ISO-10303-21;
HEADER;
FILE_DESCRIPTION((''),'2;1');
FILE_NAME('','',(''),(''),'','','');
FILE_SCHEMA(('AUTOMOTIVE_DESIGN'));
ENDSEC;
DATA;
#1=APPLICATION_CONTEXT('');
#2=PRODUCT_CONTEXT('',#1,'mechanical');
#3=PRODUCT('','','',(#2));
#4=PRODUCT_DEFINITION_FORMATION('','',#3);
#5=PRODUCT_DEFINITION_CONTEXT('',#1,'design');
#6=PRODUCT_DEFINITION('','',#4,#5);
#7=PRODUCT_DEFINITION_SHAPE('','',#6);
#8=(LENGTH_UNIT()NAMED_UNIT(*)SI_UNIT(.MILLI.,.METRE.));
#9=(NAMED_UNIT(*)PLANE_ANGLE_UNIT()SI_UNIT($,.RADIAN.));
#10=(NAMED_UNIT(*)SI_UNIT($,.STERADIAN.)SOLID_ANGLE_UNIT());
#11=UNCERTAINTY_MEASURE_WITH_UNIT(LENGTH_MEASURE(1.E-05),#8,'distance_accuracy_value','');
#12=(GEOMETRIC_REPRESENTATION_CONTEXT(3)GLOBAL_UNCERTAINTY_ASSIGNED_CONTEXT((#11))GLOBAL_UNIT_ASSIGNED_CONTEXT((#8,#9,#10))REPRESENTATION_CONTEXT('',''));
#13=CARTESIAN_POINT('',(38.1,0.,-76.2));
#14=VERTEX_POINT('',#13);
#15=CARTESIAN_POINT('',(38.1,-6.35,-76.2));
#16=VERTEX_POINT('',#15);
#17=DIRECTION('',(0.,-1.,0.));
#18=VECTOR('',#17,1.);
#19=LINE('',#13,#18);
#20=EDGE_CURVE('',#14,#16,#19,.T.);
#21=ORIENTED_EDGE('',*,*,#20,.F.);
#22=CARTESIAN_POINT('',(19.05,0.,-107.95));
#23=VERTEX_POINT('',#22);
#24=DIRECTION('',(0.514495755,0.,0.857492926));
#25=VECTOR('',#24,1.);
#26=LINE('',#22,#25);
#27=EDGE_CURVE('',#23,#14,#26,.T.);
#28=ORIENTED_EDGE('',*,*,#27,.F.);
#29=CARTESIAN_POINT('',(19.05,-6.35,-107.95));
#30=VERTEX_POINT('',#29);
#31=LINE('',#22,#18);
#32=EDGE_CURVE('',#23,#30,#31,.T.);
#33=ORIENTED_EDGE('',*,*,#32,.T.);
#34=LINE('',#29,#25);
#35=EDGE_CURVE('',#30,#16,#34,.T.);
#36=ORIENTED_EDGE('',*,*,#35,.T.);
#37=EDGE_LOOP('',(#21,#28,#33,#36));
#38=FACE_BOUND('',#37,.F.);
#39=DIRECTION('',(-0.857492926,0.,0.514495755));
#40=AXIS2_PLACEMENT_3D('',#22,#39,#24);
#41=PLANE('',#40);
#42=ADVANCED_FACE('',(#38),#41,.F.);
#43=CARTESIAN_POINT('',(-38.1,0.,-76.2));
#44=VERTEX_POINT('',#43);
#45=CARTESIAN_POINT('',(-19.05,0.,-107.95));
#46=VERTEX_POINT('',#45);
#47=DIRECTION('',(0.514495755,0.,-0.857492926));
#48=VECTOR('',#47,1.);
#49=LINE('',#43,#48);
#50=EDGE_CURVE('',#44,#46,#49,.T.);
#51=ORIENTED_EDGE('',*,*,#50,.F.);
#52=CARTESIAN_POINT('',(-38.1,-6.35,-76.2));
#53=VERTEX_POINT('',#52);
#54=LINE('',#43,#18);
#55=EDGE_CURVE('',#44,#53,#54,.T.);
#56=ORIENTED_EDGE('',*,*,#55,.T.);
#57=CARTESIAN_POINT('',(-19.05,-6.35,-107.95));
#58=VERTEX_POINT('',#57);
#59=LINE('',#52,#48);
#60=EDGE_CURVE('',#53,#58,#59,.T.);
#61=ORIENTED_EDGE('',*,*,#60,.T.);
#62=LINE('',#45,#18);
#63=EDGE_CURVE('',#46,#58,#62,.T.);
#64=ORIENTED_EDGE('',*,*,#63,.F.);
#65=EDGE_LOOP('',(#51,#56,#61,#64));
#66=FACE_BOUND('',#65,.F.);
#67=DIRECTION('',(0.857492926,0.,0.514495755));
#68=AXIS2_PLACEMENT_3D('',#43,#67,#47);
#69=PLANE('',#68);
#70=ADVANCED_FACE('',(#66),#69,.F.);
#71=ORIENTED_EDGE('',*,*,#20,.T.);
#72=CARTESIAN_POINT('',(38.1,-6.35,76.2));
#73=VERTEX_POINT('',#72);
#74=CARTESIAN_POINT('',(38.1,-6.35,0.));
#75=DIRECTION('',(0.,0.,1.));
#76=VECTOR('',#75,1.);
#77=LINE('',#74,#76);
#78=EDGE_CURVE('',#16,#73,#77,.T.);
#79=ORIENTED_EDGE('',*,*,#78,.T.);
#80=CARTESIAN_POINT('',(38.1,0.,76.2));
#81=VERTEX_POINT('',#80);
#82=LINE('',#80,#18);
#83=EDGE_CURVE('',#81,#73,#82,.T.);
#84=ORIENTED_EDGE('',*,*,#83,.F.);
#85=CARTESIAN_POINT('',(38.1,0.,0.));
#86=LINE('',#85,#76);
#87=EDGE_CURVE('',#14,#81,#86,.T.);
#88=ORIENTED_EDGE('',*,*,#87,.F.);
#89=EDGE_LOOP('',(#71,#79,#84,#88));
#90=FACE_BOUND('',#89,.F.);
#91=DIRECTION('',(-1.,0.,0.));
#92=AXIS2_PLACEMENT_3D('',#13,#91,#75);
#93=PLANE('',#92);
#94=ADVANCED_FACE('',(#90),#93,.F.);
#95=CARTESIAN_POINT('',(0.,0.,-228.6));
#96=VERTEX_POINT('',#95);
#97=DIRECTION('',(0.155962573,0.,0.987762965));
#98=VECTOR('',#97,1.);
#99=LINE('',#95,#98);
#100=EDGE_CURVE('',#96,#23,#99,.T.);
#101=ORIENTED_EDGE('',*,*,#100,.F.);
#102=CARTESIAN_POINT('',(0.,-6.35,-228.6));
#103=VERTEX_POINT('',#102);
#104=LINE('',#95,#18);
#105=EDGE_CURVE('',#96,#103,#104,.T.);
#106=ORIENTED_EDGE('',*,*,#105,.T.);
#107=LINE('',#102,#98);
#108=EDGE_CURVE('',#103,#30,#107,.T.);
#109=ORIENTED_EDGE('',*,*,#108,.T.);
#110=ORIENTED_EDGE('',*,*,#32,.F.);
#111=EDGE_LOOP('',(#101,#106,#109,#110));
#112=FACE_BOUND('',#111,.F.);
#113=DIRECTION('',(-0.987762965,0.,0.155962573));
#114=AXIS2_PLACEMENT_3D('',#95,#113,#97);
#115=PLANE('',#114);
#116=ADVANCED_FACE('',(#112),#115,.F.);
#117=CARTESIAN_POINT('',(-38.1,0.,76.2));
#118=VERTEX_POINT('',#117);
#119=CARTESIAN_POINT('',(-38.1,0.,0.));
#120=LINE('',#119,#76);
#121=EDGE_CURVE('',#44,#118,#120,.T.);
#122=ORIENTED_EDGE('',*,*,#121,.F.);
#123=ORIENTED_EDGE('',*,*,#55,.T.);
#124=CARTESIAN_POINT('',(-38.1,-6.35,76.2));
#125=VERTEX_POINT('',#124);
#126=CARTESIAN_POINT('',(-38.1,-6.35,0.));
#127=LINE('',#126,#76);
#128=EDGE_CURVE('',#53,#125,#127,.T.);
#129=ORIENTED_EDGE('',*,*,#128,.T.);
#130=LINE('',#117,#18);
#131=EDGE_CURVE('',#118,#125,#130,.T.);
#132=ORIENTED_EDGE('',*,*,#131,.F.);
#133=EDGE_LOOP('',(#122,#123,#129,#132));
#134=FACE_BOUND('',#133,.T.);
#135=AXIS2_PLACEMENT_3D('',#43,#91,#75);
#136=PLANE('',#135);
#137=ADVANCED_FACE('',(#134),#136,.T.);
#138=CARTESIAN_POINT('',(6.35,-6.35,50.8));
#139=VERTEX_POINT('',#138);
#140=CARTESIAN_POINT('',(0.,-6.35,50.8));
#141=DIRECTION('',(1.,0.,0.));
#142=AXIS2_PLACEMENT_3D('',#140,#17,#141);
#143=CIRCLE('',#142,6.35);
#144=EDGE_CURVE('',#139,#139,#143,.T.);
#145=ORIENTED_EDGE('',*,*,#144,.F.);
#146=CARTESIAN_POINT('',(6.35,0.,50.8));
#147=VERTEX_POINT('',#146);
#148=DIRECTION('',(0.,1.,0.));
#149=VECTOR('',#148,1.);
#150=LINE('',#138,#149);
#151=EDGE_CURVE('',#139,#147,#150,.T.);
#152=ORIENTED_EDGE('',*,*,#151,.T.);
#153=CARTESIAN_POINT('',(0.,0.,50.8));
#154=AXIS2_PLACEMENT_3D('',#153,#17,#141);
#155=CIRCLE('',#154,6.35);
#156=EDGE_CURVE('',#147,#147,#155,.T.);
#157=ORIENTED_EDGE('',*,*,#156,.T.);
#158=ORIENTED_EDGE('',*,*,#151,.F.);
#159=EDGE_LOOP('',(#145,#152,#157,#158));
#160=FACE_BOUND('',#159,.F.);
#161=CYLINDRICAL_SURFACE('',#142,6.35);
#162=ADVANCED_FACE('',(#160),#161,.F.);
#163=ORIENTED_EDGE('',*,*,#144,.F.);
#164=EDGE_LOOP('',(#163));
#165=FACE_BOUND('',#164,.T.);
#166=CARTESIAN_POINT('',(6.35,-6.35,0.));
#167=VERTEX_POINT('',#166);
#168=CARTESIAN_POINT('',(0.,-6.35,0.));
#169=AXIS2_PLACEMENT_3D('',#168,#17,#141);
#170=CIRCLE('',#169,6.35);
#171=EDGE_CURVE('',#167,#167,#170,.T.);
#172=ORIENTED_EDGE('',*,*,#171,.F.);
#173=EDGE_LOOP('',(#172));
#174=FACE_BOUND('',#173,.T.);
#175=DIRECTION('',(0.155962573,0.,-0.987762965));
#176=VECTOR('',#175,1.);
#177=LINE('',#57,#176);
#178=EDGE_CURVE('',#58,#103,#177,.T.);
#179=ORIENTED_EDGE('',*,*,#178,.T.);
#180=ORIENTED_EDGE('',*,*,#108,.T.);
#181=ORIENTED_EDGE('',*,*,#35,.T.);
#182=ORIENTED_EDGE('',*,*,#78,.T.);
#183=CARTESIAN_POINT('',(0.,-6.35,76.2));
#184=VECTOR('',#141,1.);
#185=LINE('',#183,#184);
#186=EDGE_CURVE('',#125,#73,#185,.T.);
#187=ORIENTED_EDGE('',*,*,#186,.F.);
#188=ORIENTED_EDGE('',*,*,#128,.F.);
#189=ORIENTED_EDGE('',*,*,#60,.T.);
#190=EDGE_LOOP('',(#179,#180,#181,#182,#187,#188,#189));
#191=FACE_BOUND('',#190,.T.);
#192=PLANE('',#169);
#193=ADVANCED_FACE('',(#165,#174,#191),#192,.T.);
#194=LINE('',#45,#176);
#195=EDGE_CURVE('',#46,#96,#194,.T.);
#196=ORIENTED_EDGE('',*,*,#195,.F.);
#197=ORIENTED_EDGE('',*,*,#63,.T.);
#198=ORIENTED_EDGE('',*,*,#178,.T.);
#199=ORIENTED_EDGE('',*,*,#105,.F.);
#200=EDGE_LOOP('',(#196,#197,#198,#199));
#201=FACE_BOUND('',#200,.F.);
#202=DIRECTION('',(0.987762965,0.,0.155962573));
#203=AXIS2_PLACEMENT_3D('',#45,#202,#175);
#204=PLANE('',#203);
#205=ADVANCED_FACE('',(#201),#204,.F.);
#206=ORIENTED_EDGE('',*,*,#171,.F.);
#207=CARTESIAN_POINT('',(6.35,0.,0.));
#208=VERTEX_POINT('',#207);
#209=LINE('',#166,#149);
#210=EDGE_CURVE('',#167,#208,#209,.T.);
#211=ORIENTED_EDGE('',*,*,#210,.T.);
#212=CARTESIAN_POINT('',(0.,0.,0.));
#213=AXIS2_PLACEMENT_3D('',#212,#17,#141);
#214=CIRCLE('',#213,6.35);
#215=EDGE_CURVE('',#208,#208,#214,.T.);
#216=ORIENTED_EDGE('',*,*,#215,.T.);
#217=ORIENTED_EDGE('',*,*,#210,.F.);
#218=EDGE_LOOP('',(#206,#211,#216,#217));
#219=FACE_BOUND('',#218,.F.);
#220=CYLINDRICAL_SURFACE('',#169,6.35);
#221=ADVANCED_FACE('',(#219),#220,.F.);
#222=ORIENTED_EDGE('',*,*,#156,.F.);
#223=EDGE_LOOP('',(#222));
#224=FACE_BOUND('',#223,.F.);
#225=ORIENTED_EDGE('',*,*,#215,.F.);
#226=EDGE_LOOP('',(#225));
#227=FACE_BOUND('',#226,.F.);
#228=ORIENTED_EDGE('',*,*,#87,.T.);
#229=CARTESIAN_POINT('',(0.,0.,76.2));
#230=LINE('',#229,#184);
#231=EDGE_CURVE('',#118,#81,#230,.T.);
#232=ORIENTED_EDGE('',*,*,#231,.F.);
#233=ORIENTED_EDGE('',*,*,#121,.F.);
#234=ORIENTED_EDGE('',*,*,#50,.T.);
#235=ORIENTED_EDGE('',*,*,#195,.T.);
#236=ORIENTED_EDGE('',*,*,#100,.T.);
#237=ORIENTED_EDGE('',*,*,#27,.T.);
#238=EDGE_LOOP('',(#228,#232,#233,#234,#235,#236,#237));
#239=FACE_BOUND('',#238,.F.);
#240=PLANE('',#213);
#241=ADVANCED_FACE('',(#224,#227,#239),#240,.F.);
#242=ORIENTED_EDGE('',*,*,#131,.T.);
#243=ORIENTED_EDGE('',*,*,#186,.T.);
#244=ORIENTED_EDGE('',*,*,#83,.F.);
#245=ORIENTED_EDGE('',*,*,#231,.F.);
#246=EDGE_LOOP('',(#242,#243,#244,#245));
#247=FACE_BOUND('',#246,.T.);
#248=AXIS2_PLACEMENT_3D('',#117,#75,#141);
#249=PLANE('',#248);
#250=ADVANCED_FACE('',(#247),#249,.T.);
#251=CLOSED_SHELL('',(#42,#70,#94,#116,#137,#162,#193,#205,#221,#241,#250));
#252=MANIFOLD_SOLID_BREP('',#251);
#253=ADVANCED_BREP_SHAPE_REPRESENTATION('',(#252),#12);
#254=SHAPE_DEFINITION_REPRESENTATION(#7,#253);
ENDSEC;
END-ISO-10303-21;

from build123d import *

# Parameters (mm, degrees)
F0_W     = 76.2
F0_H     = 152.4
F1_DEPTH = 6.35
F2_R     = 6.35
F3_DEPTH = 25.4


with BuildPart() as f1:
    # F0 (on Front) → F1 (new body)
    with BuildSketch(Plane.XZ):
        Rectangle(F0_W, F0_H)
        Polygon((19.05, -107.95), (38.1, -76.2), (-38.1, -76.2), (-19.05, -107.95), (0, -228.6), align=None)
    extrude(amount=F1_DEPTH)

    # F2 (on face) → F3 (cut)
    with BuildSketch(Plane.XZ.offset(6.35)):
        with Locations((0, 50.8)):
            Circle(F2_R)
        Circle(F2_R)
    extrude(amount=-F3_DEPTH, mode=Mode.SUBTRACT)


solid = f1.part
